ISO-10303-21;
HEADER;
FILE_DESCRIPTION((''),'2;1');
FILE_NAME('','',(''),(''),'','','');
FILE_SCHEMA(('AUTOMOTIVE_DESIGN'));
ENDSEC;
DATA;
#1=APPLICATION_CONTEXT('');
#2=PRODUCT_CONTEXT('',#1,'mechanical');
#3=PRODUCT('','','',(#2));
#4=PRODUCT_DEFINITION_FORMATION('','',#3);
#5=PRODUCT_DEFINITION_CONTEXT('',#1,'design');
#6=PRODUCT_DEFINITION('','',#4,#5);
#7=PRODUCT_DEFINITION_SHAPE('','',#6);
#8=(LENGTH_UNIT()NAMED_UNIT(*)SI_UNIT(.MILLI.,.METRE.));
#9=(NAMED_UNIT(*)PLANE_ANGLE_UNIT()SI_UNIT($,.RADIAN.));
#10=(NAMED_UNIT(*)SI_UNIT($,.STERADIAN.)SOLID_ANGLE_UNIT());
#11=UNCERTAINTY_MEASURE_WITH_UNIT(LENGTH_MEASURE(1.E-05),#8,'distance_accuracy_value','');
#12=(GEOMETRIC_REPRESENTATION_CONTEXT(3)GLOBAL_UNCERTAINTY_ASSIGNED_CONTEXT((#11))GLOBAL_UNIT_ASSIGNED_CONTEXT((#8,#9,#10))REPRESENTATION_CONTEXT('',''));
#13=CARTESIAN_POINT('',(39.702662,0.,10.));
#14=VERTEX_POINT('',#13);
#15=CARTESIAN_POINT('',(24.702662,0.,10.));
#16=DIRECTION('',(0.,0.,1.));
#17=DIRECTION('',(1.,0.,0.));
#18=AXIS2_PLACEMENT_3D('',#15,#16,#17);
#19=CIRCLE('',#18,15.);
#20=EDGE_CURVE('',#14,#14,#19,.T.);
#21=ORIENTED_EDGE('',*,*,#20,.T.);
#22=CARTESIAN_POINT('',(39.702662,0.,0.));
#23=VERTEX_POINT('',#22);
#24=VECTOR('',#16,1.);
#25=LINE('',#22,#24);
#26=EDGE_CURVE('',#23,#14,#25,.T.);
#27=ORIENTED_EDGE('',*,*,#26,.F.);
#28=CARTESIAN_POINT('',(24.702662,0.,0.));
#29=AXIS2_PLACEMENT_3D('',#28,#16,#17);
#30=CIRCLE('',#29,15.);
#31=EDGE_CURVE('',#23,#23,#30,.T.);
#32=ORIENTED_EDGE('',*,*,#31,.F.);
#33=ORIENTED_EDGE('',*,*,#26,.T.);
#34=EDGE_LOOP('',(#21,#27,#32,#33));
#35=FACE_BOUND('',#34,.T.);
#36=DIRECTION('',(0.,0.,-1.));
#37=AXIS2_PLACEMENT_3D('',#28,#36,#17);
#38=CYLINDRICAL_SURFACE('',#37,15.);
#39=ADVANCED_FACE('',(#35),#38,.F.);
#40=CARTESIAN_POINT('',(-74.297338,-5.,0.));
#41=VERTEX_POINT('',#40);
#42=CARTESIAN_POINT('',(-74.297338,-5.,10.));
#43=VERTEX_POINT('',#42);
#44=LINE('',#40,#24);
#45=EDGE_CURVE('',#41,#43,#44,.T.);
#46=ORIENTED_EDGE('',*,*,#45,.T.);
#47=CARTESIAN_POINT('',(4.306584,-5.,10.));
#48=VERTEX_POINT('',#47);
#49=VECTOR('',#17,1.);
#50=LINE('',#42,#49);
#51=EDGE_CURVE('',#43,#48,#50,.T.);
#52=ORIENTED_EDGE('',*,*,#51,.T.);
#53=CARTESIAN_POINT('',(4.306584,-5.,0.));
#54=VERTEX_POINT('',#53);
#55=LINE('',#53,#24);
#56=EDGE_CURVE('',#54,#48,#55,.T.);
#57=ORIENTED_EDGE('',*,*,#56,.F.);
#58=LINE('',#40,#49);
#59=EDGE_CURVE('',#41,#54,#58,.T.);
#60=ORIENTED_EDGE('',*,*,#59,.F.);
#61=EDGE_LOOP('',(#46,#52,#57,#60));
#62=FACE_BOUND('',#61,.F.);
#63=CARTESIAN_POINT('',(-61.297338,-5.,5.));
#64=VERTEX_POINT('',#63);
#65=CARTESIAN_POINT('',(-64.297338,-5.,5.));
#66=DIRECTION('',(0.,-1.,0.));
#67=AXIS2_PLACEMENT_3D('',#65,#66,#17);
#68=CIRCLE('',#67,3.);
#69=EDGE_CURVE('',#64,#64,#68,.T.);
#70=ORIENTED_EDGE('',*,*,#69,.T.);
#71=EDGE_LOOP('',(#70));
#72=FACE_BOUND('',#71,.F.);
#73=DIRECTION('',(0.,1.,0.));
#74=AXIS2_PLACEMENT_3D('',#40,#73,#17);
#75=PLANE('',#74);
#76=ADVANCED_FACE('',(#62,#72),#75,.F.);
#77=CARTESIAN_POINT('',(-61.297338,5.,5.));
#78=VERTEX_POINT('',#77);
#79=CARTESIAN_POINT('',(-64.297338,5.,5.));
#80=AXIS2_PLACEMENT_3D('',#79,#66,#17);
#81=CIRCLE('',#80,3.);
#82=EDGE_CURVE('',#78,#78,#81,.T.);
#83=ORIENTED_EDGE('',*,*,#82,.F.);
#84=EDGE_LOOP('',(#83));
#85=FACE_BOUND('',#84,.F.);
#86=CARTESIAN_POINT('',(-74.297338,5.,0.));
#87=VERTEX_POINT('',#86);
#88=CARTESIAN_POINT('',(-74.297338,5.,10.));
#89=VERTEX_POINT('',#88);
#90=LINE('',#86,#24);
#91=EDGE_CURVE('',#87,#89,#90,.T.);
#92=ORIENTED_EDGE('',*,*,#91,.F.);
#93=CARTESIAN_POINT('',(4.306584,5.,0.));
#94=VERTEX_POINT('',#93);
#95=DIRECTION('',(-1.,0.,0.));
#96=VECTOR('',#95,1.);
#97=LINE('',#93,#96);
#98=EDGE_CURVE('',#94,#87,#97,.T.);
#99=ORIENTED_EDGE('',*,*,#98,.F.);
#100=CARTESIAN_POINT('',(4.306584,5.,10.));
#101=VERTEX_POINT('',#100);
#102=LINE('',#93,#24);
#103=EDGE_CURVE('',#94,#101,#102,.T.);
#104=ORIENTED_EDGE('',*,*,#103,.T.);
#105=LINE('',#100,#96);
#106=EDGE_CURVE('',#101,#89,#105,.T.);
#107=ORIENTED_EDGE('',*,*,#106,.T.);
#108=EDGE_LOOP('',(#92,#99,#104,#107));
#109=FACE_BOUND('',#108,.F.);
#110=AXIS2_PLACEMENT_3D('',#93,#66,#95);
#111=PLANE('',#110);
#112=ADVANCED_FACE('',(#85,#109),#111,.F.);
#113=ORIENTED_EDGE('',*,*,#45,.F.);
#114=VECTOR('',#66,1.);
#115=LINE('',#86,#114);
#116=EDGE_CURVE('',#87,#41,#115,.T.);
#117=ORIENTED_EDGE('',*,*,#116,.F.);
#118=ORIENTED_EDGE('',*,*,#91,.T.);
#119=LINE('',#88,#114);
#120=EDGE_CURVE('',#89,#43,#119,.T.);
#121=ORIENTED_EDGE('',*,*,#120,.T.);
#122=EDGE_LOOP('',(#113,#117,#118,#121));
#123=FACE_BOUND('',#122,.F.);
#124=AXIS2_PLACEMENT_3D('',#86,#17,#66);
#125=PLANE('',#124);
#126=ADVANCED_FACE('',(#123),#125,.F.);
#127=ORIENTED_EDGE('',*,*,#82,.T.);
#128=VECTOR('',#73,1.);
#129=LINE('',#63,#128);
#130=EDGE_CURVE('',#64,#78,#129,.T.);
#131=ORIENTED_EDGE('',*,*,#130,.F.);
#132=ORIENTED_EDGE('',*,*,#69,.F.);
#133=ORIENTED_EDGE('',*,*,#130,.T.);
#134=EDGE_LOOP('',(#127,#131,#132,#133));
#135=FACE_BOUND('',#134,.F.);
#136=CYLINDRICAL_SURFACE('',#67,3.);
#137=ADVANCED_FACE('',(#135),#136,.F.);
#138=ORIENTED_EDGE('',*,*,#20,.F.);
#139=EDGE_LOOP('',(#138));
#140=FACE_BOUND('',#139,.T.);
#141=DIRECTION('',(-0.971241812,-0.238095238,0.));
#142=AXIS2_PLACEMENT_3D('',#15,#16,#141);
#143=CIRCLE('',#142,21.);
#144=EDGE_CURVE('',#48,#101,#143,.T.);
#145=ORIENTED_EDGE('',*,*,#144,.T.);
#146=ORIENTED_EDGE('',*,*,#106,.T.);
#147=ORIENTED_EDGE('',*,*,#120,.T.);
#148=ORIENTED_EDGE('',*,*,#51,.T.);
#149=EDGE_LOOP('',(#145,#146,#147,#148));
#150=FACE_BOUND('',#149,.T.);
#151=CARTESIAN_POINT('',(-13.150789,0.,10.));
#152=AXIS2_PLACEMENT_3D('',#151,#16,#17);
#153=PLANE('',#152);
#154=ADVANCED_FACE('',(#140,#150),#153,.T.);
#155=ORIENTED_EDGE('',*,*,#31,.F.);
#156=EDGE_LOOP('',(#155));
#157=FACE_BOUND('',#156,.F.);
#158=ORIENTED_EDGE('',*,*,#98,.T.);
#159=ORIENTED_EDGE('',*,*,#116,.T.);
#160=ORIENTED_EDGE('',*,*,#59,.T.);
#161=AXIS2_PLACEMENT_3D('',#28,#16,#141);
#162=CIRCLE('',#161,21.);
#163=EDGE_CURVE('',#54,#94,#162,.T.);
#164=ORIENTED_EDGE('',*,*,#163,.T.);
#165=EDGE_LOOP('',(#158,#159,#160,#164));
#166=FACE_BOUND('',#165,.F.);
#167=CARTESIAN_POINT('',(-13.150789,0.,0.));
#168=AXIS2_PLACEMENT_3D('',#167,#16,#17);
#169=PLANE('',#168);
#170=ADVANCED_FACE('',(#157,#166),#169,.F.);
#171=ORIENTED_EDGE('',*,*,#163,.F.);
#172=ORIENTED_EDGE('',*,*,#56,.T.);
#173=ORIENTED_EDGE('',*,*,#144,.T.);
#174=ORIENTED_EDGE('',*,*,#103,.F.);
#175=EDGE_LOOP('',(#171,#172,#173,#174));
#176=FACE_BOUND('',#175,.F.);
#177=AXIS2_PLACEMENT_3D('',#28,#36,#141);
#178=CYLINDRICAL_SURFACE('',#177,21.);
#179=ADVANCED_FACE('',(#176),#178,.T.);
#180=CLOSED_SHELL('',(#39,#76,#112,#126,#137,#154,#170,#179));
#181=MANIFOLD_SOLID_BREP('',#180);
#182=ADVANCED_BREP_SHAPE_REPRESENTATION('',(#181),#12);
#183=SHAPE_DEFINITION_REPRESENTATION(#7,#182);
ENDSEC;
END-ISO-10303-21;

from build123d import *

# Parameters (mm, degrees)
F0_R     = 15
F1_DEPTH = 10
F2_R     = 3
F3_DEPTH = 25


with BuildPart() as f1:
    # F0 (on Top) → F1 (new body)
    with BuildSketch(Plane.XY):
        with BuildLine():
            Line((4.306584, 5), (-74.297338, 5))
            Line((-74.297338, 5), (-74.297338, -5))
            Line((-74.297338, -5), (4.306584, -5))
            ThreePointArc((4.306584, -5), (45.702662, 0), (4.306584, 5))
        make_face()
        with Locations((24.702662, 0)):
            Circle(F0_R, mode=Mode.SUBTRACT)
    extrude(amount=F1_DEPTH)

    # F2 (on face) → F3 (cut)
    with BuildSketch(Plane.XZ.offset(5)):
        with Locations((-64.297338, 5)):
            Circle(F2_R)
    extrude(amount=-F3_DEPTH, mode=Mode.SUBTRACT)


solid = f1.part
